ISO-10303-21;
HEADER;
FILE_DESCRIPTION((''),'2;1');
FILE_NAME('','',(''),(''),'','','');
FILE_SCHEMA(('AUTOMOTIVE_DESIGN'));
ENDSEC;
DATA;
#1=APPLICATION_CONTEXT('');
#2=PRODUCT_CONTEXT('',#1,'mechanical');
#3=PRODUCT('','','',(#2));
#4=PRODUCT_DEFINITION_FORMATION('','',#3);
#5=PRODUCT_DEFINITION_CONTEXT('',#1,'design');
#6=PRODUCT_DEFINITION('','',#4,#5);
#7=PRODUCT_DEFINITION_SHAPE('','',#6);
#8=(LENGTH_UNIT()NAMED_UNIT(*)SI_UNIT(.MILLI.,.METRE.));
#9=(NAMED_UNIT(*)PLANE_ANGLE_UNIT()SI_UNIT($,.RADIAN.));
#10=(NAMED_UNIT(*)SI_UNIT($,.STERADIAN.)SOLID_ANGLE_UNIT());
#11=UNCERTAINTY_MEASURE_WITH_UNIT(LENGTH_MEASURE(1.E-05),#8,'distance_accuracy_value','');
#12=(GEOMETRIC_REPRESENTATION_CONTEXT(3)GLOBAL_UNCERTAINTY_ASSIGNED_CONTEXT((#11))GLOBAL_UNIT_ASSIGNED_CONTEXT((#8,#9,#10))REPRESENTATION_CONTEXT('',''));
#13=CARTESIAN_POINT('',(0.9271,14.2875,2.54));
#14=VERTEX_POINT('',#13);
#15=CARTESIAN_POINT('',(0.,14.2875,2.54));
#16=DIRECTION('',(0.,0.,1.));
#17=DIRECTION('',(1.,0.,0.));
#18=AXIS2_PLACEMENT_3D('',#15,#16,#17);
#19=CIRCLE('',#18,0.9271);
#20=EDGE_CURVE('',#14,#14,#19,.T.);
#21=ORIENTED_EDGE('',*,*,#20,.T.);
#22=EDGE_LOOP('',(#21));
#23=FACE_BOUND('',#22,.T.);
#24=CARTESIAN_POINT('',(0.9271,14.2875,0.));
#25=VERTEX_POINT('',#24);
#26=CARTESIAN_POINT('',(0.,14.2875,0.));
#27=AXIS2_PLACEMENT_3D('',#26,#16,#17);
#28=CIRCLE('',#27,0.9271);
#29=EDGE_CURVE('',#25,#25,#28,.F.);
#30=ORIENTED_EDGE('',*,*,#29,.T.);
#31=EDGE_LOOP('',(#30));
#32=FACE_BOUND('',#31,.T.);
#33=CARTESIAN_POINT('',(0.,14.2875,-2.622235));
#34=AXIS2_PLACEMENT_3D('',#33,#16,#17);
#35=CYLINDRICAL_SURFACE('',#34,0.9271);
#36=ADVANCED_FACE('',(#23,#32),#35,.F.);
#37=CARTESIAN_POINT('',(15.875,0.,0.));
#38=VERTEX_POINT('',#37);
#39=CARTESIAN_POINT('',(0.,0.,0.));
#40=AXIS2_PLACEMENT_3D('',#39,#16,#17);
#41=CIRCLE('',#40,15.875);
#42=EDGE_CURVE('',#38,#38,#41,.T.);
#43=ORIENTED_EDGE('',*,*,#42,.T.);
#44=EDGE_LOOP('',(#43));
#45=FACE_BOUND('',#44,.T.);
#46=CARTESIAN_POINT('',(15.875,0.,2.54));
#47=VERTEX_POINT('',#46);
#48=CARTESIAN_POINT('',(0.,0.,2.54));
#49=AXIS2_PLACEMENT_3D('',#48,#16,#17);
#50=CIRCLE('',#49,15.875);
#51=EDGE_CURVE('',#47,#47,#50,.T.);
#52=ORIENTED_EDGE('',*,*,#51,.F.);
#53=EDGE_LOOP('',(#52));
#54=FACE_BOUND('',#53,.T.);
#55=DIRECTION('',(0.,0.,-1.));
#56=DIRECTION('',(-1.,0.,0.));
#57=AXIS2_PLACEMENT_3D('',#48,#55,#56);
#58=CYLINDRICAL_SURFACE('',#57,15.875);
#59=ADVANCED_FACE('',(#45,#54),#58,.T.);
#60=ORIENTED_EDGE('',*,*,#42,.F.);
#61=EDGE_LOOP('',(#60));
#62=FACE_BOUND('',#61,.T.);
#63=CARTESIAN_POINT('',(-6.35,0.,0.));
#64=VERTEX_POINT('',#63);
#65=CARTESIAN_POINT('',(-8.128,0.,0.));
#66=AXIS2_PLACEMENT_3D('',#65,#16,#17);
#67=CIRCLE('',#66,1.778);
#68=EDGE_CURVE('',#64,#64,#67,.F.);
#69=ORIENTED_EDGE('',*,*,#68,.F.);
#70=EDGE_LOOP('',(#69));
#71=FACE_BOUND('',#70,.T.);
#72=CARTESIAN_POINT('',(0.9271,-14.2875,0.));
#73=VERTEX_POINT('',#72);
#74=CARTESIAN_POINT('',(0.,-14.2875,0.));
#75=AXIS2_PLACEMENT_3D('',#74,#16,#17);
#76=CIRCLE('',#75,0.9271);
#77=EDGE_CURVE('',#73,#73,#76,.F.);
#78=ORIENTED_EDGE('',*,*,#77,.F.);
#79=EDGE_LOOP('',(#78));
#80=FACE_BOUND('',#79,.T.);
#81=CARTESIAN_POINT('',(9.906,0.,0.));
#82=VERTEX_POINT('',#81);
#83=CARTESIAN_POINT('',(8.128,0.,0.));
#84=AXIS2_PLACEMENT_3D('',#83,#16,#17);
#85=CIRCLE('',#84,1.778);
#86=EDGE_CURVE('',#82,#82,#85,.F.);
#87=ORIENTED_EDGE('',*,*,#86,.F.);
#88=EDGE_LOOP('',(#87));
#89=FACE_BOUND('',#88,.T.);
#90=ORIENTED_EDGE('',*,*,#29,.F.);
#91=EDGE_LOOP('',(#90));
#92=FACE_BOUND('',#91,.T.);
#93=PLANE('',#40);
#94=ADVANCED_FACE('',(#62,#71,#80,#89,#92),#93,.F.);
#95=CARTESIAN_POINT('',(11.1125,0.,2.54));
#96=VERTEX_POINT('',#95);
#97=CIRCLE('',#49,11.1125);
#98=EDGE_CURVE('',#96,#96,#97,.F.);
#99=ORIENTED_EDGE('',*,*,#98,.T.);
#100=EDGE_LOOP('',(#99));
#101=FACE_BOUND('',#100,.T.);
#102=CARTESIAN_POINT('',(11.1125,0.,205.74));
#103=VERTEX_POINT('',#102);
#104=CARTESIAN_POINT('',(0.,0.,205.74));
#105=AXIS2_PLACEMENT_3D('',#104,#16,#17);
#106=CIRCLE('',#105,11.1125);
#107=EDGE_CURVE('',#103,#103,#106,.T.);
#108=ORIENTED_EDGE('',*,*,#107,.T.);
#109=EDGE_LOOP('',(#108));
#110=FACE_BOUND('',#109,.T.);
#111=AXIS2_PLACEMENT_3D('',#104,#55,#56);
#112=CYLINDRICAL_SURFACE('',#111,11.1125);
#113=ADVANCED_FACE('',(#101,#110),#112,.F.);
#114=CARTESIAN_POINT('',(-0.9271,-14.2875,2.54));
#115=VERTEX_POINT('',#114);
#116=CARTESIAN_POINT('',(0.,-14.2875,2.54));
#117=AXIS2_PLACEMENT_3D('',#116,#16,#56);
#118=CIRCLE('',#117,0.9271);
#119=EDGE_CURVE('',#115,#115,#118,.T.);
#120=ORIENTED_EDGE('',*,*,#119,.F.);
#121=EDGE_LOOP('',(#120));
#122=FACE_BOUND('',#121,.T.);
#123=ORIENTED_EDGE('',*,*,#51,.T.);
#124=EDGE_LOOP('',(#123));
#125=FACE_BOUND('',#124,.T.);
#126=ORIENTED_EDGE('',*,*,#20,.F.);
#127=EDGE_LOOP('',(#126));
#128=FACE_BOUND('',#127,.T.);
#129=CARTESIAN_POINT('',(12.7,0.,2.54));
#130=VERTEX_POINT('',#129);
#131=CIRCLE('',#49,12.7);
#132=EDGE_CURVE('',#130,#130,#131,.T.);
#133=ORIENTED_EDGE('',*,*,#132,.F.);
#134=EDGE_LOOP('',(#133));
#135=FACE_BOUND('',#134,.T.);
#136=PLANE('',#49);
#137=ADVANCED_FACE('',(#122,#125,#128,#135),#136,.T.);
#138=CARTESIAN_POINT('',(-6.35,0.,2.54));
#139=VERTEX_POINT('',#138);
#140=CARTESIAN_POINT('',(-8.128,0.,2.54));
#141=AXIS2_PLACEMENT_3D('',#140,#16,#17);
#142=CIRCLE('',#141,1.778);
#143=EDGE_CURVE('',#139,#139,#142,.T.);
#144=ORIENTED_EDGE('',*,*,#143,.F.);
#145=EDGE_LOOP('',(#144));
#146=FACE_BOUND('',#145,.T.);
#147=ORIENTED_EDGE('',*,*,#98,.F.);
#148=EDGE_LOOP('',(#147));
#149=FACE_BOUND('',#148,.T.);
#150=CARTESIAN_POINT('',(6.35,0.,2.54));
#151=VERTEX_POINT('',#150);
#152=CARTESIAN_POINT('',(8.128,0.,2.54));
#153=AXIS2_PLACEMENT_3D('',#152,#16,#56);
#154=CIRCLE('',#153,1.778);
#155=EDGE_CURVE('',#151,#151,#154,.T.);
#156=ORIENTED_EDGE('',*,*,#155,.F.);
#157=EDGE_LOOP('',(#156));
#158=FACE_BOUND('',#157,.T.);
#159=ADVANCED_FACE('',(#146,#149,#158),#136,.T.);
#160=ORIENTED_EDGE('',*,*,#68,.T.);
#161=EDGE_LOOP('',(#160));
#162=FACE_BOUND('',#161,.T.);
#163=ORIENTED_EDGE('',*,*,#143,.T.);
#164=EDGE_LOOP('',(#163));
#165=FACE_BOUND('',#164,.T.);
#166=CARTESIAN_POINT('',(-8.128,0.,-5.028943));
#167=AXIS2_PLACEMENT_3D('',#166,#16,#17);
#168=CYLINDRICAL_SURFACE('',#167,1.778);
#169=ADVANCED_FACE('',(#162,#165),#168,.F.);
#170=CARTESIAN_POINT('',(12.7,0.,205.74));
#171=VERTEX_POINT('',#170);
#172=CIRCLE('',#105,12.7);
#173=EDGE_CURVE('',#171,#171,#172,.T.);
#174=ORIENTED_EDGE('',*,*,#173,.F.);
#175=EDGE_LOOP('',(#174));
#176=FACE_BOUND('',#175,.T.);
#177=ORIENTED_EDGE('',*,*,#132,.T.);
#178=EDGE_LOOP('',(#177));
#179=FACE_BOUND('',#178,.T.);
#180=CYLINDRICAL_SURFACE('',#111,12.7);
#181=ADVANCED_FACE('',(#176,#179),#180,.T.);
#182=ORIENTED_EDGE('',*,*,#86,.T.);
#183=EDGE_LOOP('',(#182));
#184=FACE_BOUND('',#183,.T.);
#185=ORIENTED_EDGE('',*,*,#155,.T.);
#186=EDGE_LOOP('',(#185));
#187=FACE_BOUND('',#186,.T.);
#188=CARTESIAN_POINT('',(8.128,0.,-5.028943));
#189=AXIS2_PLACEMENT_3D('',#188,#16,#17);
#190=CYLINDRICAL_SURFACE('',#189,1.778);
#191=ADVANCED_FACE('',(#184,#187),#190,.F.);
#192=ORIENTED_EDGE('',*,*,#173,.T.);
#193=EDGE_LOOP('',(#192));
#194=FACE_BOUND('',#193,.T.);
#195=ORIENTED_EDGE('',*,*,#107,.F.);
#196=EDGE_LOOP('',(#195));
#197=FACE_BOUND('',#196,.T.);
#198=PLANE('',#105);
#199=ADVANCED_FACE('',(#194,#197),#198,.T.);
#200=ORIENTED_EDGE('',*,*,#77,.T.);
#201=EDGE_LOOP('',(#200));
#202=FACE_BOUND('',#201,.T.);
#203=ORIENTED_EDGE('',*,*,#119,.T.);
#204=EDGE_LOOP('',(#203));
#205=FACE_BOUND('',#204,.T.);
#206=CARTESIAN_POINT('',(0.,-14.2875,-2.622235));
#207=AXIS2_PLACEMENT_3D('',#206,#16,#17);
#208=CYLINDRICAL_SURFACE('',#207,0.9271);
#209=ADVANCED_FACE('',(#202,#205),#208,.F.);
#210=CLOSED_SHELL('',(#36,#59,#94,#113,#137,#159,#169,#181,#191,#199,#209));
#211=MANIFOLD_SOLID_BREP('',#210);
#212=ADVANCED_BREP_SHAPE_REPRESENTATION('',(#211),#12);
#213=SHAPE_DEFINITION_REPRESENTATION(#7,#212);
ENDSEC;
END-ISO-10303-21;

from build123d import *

# Parameters (mm, degrees)
SKETCH1_R           = 15.875
BOSS_EXTRUDE1_DEPTH = 2.54
SKETCH2_R           = 12.7
SKETCH2_R_2         = 11.1125
BOSS_EXTRUDE2_DEPTH = 203.2
SKETCH3_R           = 1.778
CUT_EXTRUDE1_DEPTH  = 2.54
SKETCH4_R           = 0.9271
CUT_EXTRUDE2_DEPTH  = 2.54


with BuildPart() as part:
    # Sketch1 → Boss-Extrude1 (new body)
    with BuildSketch(Plane.XY):
        Circle(SKETCH1_R)
    extrude(amount=BOSS_EXTRUDE1_DEPTH)

    # Sketch2 → Boss-Extrude2 (add)
    with BuildSketch(Plane.XY.offset(2.54)):
        Circle(SKETCH2_R)
        Circle(SKETCH2_R_2, mode=Mode.SUBTRACT)
    extrude(amount=BOSS_EXTRUDE2_DEPTH)

    # Sketch3 → Cut-Extrude1 (cut)
    with BuildSketch(Plane.XY.offset(2.54)):
        with Locations((-8.128, 0)):
            Circle(SKETCH3_R)
        with Locations((8.128, 0)):
            Circle(SKETCH3_R)
    extrude(amount=-CUT_EXTRUDE1_DEPTH, mode=Mode.SUBTRACT)

    # Sketch4 → Cut-Extrude2 (cut)
    with BuildSketch(Plane.XY.offset(2.54)):
        with Locations((0, 14.2875)):
            Circle(SKETCH4_R)
        with Locations((0, -14.2875)):
            Circle(SKETCH4_R)
    extrude(amount=-CUT_EXTRUDE2_DEPTH, mode=Mode.SUBTRACT)


solid = part.part
